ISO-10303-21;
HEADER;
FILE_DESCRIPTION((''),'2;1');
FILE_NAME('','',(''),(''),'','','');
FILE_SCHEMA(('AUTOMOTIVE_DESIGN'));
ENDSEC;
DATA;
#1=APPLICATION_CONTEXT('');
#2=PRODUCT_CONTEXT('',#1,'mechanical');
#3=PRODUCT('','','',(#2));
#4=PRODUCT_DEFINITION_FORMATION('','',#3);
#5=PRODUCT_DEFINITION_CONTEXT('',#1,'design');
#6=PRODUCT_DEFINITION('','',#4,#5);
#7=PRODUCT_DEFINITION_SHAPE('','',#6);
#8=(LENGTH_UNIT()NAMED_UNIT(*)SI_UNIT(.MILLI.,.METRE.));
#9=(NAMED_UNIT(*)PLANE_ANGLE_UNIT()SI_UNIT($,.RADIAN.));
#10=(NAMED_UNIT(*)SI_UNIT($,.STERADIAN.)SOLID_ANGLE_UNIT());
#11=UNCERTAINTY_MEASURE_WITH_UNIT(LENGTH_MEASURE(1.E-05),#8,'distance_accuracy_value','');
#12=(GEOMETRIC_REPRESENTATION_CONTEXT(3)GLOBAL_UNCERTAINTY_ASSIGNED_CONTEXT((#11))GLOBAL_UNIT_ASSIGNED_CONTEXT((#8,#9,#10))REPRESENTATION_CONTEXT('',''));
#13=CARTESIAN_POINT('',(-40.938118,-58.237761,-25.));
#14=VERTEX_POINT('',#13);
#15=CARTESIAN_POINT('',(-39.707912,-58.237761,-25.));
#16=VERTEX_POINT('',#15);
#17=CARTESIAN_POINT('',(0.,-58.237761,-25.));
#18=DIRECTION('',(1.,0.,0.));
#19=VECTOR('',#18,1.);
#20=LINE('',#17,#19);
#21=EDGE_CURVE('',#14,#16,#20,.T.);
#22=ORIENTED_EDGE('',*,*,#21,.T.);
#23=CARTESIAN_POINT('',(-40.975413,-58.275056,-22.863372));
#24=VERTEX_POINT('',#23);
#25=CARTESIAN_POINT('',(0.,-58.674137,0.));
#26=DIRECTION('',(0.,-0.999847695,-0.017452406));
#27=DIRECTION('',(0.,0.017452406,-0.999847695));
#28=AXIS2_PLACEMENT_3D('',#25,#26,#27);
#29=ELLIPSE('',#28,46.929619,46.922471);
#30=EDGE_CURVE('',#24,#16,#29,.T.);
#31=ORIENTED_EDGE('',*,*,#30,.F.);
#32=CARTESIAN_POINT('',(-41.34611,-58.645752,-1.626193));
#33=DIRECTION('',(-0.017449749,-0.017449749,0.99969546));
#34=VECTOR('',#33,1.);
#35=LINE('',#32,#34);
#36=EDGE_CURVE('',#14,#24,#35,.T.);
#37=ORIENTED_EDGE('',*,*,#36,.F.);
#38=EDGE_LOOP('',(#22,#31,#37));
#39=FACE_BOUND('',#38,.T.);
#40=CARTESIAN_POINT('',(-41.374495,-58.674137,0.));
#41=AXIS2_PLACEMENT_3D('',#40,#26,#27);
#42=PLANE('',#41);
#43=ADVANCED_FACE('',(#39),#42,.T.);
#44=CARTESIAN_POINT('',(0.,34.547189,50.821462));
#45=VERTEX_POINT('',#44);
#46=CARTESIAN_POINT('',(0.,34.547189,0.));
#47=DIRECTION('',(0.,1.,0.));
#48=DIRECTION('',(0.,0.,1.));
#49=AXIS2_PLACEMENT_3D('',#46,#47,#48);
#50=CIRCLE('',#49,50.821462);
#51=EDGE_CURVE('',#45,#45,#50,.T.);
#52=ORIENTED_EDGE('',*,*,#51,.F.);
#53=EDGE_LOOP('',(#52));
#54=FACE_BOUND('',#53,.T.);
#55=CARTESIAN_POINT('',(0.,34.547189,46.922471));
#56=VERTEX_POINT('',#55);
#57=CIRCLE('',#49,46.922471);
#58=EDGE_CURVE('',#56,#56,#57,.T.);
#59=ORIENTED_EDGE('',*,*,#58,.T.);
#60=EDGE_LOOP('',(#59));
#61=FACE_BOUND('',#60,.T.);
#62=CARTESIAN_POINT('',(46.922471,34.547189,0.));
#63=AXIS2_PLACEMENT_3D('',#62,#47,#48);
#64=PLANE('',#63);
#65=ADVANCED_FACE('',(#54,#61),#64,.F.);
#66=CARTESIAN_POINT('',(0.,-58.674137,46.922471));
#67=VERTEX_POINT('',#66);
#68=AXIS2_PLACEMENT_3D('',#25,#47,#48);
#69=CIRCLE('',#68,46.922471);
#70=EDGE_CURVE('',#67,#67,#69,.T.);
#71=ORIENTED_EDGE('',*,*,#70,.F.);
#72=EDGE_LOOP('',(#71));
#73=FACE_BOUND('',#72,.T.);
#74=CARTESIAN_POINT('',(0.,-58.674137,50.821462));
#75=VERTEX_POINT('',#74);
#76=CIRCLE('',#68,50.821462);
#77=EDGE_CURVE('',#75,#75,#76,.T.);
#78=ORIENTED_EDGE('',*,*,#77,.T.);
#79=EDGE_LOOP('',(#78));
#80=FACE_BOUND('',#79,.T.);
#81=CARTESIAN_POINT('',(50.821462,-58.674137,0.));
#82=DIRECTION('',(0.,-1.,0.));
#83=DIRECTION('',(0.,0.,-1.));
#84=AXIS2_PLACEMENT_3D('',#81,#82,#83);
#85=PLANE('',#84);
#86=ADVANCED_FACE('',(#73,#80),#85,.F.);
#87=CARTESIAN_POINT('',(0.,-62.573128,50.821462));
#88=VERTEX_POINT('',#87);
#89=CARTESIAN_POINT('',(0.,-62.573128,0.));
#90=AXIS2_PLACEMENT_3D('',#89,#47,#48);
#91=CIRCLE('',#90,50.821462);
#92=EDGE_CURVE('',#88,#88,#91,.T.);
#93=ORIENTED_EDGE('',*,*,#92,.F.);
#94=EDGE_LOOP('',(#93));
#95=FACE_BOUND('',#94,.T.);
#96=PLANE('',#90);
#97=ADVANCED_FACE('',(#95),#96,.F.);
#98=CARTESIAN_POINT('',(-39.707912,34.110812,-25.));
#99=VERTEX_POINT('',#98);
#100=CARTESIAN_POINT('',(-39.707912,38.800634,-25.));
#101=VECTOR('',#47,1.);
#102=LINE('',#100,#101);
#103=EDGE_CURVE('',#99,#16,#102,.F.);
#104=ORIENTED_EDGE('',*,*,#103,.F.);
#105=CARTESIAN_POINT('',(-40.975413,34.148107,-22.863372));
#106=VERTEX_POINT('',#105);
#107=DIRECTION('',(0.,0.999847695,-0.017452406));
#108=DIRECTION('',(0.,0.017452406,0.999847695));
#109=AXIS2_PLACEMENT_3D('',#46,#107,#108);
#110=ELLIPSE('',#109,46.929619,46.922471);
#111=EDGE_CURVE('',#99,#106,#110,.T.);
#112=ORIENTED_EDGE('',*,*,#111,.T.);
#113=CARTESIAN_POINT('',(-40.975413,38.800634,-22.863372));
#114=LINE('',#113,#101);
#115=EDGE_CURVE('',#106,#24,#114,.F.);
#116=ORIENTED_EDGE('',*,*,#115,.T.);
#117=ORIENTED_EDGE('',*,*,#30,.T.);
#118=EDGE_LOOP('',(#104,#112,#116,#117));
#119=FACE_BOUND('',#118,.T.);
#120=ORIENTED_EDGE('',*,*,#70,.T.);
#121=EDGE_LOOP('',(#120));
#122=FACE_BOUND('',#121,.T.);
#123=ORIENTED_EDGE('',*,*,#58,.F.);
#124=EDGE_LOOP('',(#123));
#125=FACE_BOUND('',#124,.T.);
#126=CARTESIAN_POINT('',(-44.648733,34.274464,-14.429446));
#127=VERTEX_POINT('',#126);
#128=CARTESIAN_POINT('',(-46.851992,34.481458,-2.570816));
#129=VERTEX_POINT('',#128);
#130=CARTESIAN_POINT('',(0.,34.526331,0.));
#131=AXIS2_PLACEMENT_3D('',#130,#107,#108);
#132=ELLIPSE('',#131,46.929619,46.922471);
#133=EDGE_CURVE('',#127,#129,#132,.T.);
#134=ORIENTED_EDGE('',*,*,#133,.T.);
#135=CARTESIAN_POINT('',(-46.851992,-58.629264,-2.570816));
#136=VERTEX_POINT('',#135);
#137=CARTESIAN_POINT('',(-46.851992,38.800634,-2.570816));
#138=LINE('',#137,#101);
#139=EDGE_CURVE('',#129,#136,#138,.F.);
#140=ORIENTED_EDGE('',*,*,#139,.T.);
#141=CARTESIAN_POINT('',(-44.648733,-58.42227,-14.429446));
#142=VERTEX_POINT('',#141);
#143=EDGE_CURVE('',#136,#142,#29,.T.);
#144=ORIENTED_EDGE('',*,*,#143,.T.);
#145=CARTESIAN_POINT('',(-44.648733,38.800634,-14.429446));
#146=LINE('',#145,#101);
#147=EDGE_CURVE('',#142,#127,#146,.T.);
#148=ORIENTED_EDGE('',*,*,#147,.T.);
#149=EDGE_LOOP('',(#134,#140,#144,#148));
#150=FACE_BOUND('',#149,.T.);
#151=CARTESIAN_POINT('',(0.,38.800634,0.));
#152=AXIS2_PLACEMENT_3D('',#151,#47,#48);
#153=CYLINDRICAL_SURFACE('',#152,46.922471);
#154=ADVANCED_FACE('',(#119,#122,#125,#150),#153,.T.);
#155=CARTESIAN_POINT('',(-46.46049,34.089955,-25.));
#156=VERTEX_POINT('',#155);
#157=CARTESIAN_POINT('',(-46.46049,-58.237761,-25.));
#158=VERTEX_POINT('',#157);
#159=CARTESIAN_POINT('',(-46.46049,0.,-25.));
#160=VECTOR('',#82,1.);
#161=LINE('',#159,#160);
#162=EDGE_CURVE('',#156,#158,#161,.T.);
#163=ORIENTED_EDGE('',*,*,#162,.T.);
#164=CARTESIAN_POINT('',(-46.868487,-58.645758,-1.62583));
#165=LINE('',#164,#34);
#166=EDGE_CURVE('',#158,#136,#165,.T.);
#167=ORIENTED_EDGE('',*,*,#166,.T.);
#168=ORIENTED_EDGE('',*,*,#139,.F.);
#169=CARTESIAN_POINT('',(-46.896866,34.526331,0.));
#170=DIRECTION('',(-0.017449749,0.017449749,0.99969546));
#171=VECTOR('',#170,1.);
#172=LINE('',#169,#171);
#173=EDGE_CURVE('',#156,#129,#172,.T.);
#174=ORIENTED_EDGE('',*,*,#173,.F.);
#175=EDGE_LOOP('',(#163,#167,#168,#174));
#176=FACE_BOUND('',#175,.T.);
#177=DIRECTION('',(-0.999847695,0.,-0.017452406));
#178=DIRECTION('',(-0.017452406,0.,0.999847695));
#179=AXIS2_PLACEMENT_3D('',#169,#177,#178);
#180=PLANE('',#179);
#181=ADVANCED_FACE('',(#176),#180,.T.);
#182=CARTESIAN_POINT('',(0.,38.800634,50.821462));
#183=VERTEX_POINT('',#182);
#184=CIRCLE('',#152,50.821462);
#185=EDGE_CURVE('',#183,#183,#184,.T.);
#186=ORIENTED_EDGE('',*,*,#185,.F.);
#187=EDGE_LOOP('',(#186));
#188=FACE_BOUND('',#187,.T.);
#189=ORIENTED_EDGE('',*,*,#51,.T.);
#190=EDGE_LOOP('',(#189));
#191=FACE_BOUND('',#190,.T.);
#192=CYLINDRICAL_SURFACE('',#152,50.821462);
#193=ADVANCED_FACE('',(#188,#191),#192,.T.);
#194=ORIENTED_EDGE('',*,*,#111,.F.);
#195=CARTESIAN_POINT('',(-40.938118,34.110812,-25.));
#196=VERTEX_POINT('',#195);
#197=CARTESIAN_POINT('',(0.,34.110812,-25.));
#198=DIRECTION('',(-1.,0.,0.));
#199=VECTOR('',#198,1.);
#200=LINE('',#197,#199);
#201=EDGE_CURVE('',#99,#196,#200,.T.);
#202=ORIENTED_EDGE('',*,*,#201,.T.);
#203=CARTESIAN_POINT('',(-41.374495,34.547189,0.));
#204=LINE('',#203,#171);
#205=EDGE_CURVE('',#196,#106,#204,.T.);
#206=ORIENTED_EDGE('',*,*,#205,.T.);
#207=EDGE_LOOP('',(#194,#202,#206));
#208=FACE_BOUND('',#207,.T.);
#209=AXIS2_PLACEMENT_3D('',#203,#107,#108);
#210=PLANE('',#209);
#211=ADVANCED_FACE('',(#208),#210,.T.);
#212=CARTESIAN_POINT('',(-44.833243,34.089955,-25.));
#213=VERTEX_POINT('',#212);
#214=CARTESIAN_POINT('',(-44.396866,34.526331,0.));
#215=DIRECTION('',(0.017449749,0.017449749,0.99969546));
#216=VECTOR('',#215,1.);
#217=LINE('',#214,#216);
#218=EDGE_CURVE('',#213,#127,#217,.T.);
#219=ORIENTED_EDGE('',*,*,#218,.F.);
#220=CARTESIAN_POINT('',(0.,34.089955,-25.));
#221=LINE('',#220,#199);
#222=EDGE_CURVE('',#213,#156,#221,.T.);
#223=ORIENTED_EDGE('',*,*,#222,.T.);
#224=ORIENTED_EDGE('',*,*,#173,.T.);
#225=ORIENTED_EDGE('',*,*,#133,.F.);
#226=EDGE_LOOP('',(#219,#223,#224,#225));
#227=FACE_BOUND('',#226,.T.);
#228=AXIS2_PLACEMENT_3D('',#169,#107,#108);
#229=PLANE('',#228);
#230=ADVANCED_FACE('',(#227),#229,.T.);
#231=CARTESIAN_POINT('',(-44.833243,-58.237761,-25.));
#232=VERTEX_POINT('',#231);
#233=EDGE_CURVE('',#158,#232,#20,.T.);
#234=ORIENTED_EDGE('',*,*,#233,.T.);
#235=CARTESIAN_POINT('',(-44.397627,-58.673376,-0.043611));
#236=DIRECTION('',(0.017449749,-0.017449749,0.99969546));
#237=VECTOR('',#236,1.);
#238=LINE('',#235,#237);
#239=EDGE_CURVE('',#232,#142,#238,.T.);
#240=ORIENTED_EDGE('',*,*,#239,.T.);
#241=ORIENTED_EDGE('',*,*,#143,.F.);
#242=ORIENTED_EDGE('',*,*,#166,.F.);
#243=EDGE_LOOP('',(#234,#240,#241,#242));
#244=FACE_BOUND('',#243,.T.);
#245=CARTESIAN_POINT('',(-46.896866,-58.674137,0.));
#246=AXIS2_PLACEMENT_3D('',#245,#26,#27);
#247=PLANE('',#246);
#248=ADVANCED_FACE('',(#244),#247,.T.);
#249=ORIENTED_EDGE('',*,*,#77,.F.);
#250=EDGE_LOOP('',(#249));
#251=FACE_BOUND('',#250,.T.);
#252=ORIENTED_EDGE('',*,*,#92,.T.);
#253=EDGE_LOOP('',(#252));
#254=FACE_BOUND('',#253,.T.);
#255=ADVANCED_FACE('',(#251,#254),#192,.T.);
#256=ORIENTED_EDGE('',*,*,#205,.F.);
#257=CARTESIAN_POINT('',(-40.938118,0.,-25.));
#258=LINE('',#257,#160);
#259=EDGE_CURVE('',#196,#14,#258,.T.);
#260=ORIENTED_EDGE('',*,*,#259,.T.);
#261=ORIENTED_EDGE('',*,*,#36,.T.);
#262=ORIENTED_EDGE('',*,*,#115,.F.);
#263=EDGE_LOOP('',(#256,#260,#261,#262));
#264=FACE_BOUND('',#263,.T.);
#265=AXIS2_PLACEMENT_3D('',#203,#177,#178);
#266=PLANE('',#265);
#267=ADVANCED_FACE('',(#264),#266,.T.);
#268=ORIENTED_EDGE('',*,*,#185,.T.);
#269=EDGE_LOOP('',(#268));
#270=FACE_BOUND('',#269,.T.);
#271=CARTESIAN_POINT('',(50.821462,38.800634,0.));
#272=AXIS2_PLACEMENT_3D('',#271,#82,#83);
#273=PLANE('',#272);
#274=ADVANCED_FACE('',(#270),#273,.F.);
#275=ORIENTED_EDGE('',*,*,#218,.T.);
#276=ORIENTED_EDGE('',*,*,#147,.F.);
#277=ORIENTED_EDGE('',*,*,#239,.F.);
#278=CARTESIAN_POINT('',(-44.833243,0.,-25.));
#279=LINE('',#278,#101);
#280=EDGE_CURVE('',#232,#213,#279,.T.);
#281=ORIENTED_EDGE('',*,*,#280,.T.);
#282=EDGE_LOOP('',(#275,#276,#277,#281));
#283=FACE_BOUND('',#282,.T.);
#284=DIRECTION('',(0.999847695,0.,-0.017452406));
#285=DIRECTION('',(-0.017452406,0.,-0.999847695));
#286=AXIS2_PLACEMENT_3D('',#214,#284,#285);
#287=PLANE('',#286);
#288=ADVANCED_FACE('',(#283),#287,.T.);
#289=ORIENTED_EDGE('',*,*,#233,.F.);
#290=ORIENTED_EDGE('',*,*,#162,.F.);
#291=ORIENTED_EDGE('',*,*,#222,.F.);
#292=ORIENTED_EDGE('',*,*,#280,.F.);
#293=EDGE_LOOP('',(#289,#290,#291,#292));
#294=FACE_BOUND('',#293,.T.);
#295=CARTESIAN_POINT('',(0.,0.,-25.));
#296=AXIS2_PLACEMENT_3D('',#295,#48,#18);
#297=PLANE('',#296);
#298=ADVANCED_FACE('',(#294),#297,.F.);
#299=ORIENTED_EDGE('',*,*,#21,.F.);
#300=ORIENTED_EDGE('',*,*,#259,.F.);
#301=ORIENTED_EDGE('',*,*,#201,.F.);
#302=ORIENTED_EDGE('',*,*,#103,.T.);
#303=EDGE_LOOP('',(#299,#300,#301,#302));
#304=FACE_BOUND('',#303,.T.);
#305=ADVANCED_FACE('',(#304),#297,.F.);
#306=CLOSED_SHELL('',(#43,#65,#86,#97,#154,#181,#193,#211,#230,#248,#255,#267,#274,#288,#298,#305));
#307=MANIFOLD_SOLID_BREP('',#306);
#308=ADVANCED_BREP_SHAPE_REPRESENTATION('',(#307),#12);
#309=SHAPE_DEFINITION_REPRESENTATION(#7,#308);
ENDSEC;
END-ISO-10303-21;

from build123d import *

# Parameters (mm, degrees)
CROQUIS3_W              = 2.5
CROQUIS3_H              = 93.200468797
CROQUIS3_H_2            = 93.221326365
SALIENTE_EXTRUIR1_DEPTH = 25
SALIENTE_EXTRUIR1_TAPER = 1


with BuildPart() as part:
    # Croquis1 → Revolución1 (revolve)
    with BuildSketch(Plane.XY):
        Polygon((0, 38.800633525), (0, -62.573128225), (50.821461866, -62.573128225), (50.821461866, -58.674137389), (46.92247103, -58.674137389), (46.92247103, 34.547188976), (50.821461866, 34.547188976), (50.821461866, 38.800633525), align=None)
    revolve(axis=Axis((0, 38.800633525, 0), (0, -1, 0)))

    # Croquis3 → Saliente-Extruir1 (add)
    with BuildSketch(Plane.XY):
        with Locations((-45.646866178, -12.07390299)):
            Rectangle(CROQUIS3_W, CROQUIS3_H)
        with Locations((-40.124494984, -12.063474207)):
            Rectangle(CROQUIS3_W, CROQUIS3_H_2)
    extrude(amount=-SALIENTE_EXTRUIR1_DEPTH, taper=SALIENTE_EXTRUIR1_TAPER)


solid = part.part
